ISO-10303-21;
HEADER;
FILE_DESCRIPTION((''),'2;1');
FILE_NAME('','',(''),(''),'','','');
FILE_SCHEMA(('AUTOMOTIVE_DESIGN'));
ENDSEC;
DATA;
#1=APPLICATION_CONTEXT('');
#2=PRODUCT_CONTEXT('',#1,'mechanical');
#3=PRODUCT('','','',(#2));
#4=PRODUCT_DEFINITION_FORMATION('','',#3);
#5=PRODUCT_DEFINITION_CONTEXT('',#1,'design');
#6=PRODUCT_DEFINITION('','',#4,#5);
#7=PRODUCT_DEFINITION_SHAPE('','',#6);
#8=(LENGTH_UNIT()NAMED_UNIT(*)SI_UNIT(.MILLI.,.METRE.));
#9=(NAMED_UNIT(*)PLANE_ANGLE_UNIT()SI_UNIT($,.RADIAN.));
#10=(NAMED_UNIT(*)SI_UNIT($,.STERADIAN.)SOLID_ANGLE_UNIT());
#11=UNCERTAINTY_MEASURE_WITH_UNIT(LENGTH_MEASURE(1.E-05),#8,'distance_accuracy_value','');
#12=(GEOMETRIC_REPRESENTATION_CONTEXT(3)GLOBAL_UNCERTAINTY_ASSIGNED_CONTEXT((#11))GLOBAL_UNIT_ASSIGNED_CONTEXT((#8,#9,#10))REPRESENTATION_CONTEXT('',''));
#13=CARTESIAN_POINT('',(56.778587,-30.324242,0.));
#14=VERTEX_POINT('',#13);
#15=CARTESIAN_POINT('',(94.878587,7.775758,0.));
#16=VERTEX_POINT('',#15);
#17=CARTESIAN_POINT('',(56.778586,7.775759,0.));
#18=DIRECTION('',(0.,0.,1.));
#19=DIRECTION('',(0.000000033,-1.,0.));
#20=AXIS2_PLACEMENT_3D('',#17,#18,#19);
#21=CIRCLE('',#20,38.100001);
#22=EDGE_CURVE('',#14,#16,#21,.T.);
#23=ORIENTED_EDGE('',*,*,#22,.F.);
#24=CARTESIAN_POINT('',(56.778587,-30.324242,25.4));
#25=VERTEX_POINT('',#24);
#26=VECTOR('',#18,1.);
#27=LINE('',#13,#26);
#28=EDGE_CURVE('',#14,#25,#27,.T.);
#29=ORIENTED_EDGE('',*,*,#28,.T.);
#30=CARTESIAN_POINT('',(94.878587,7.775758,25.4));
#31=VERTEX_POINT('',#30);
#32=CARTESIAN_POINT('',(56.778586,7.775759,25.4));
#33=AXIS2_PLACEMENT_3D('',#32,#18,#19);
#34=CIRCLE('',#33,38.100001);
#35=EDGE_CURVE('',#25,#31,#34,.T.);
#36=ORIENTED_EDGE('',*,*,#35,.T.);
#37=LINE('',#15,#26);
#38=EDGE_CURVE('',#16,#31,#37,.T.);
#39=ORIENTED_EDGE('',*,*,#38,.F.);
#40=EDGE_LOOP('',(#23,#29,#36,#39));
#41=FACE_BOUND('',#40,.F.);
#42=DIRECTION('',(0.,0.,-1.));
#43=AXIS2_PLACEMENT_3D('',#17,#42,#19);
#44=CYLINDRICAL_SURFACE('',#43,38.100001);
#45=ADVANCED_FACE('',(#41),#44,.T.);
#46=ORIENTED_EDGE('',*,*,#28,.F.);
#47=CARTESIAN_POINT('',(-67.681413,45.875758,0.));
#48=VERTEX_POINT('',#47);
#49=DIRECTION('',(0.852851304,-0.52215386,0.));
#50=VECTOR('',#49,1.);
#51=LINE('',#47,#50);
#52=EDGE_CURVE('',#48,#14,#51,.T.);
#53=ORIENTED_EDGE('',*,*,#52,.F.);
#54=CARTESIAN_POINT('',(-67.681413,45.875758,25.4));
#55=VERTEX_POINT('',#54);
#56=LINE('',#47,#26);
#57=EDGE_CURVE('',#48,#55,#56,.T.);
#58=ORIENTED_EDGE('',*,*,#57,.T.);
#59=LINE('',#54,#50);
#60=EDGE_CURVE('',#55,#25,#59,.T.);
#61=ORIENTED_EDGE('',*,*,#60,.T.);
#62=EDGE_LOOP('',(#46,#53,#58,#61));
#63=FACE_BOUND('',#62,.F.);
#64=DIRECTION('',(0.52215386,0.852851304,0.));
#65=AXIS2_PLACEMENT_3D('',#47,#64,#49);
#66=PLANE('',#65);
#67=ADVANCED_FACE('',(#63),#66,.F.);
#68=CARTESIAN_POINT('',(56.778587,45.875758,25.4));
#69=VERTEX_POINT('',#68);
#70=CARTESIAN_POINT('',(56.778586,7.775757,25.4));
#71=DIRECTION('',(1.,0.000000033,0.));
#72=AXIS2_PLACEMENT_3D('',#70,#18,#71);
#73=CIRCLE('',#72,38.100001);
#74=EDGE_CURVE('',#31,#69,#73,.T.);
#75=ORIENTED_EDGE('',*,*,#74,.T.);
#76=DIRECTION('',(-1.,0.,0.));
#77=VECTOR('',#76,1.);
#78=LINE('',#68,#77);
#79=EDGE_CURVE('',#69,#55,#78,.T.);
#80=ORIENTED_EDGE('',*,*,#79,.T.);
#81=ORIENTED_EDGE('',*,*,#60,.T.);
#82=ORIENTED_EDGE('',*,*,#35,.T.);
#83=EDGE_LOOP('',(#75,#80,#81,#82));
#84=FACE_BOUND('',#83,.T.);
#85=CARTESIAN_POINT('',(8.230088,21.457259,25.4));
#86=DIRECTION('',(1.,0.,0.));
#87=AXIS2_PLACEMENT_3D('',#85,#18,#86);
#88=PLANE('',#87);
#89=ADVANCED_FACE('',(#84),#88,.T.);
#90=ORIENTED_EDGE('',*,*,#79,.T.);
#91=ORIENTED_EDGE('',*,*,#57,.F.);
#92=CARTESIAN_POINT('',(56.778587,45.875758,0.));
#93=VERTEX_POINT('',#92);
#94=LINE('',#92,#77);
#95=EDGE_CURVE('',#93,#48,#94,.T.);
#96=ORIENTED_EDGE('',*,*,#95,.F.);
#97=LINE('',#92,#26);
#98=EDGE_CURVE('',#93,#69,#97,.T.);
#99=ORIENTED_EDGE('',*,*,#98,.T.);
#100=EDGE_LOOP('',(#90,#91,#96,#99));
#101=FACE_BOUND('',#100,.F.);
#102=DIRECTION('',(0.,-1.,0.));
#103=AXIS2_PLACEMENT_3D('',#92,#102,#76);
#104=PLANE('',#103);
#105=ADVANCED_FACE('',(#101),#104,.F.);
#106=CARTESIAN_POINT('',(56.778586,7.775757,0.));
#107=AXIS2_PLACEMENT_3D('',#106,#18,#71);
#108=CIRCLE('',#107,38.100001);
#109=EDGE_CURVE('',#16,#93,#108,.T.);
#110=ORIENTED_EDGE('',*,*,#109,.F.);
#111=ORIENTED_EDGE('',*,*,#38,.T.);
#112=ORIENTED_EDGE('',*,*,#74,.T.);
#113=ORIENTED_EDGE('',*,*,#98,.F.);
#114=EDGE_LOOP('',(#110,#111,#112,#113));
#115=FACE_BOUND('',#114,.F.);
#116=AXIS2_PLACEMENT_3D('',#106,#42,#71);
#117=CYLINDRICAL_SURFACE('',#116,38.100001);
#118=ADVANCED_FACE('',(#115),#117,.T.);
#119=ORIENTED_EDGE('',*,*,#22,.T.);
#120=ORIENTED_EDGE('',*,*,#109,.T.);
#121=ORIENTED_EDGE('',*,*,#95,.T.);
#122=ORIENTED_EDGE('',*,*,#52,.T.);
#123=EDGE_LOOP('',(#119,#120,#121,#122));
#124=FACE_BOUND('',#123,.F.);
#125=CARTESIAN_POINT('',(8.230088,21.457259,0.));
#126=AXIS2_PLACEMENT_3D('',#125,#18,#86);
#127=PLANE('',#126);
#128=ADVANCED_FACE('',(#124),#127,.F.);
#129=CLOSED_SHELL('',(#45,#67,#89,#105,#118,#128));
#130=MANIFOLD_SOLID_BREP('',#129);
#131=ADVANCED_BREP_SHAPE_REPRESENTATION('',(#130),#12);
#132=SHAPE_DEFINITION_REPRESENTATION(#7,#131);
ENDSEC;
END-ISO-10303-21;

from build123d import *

# Parameters (mm, degrees)
F1_DEPTH = 25.4


with BuildPart() as f1:
    # F0 (on Top) → F1 (new body)
    with BuildSketch(Plane.XY):
        Polygon((56.778587, 45.875758), (-67.681413, 45.875758), (56.778587, -30.324242), (56.778587, 7.775758), align=None)
        with BuildLine():
            ThreePointArc((94.878587, 7.775758), (83.719355, 34.716526), (56.778587, 45.875758))
            Line((56.778587, 45.875758), (56.778587, 7.775758))
            Line((56.778587, 7.775758), (94.878587, 7.775758))
        make_face()
        with BuildLine():
            Line((56.778587, 7.775758), (56.778587, -30.324242))
            ThreePointArc((56.778587, -30.324242), (83.719355, -19.16501), (94.878587, 7.775758))
            Line((94.878587, 7.775758), (56.778587, 7.775758))
        make_face()
    extrude(amount=F1_DEPTH)


solid = f1.part
